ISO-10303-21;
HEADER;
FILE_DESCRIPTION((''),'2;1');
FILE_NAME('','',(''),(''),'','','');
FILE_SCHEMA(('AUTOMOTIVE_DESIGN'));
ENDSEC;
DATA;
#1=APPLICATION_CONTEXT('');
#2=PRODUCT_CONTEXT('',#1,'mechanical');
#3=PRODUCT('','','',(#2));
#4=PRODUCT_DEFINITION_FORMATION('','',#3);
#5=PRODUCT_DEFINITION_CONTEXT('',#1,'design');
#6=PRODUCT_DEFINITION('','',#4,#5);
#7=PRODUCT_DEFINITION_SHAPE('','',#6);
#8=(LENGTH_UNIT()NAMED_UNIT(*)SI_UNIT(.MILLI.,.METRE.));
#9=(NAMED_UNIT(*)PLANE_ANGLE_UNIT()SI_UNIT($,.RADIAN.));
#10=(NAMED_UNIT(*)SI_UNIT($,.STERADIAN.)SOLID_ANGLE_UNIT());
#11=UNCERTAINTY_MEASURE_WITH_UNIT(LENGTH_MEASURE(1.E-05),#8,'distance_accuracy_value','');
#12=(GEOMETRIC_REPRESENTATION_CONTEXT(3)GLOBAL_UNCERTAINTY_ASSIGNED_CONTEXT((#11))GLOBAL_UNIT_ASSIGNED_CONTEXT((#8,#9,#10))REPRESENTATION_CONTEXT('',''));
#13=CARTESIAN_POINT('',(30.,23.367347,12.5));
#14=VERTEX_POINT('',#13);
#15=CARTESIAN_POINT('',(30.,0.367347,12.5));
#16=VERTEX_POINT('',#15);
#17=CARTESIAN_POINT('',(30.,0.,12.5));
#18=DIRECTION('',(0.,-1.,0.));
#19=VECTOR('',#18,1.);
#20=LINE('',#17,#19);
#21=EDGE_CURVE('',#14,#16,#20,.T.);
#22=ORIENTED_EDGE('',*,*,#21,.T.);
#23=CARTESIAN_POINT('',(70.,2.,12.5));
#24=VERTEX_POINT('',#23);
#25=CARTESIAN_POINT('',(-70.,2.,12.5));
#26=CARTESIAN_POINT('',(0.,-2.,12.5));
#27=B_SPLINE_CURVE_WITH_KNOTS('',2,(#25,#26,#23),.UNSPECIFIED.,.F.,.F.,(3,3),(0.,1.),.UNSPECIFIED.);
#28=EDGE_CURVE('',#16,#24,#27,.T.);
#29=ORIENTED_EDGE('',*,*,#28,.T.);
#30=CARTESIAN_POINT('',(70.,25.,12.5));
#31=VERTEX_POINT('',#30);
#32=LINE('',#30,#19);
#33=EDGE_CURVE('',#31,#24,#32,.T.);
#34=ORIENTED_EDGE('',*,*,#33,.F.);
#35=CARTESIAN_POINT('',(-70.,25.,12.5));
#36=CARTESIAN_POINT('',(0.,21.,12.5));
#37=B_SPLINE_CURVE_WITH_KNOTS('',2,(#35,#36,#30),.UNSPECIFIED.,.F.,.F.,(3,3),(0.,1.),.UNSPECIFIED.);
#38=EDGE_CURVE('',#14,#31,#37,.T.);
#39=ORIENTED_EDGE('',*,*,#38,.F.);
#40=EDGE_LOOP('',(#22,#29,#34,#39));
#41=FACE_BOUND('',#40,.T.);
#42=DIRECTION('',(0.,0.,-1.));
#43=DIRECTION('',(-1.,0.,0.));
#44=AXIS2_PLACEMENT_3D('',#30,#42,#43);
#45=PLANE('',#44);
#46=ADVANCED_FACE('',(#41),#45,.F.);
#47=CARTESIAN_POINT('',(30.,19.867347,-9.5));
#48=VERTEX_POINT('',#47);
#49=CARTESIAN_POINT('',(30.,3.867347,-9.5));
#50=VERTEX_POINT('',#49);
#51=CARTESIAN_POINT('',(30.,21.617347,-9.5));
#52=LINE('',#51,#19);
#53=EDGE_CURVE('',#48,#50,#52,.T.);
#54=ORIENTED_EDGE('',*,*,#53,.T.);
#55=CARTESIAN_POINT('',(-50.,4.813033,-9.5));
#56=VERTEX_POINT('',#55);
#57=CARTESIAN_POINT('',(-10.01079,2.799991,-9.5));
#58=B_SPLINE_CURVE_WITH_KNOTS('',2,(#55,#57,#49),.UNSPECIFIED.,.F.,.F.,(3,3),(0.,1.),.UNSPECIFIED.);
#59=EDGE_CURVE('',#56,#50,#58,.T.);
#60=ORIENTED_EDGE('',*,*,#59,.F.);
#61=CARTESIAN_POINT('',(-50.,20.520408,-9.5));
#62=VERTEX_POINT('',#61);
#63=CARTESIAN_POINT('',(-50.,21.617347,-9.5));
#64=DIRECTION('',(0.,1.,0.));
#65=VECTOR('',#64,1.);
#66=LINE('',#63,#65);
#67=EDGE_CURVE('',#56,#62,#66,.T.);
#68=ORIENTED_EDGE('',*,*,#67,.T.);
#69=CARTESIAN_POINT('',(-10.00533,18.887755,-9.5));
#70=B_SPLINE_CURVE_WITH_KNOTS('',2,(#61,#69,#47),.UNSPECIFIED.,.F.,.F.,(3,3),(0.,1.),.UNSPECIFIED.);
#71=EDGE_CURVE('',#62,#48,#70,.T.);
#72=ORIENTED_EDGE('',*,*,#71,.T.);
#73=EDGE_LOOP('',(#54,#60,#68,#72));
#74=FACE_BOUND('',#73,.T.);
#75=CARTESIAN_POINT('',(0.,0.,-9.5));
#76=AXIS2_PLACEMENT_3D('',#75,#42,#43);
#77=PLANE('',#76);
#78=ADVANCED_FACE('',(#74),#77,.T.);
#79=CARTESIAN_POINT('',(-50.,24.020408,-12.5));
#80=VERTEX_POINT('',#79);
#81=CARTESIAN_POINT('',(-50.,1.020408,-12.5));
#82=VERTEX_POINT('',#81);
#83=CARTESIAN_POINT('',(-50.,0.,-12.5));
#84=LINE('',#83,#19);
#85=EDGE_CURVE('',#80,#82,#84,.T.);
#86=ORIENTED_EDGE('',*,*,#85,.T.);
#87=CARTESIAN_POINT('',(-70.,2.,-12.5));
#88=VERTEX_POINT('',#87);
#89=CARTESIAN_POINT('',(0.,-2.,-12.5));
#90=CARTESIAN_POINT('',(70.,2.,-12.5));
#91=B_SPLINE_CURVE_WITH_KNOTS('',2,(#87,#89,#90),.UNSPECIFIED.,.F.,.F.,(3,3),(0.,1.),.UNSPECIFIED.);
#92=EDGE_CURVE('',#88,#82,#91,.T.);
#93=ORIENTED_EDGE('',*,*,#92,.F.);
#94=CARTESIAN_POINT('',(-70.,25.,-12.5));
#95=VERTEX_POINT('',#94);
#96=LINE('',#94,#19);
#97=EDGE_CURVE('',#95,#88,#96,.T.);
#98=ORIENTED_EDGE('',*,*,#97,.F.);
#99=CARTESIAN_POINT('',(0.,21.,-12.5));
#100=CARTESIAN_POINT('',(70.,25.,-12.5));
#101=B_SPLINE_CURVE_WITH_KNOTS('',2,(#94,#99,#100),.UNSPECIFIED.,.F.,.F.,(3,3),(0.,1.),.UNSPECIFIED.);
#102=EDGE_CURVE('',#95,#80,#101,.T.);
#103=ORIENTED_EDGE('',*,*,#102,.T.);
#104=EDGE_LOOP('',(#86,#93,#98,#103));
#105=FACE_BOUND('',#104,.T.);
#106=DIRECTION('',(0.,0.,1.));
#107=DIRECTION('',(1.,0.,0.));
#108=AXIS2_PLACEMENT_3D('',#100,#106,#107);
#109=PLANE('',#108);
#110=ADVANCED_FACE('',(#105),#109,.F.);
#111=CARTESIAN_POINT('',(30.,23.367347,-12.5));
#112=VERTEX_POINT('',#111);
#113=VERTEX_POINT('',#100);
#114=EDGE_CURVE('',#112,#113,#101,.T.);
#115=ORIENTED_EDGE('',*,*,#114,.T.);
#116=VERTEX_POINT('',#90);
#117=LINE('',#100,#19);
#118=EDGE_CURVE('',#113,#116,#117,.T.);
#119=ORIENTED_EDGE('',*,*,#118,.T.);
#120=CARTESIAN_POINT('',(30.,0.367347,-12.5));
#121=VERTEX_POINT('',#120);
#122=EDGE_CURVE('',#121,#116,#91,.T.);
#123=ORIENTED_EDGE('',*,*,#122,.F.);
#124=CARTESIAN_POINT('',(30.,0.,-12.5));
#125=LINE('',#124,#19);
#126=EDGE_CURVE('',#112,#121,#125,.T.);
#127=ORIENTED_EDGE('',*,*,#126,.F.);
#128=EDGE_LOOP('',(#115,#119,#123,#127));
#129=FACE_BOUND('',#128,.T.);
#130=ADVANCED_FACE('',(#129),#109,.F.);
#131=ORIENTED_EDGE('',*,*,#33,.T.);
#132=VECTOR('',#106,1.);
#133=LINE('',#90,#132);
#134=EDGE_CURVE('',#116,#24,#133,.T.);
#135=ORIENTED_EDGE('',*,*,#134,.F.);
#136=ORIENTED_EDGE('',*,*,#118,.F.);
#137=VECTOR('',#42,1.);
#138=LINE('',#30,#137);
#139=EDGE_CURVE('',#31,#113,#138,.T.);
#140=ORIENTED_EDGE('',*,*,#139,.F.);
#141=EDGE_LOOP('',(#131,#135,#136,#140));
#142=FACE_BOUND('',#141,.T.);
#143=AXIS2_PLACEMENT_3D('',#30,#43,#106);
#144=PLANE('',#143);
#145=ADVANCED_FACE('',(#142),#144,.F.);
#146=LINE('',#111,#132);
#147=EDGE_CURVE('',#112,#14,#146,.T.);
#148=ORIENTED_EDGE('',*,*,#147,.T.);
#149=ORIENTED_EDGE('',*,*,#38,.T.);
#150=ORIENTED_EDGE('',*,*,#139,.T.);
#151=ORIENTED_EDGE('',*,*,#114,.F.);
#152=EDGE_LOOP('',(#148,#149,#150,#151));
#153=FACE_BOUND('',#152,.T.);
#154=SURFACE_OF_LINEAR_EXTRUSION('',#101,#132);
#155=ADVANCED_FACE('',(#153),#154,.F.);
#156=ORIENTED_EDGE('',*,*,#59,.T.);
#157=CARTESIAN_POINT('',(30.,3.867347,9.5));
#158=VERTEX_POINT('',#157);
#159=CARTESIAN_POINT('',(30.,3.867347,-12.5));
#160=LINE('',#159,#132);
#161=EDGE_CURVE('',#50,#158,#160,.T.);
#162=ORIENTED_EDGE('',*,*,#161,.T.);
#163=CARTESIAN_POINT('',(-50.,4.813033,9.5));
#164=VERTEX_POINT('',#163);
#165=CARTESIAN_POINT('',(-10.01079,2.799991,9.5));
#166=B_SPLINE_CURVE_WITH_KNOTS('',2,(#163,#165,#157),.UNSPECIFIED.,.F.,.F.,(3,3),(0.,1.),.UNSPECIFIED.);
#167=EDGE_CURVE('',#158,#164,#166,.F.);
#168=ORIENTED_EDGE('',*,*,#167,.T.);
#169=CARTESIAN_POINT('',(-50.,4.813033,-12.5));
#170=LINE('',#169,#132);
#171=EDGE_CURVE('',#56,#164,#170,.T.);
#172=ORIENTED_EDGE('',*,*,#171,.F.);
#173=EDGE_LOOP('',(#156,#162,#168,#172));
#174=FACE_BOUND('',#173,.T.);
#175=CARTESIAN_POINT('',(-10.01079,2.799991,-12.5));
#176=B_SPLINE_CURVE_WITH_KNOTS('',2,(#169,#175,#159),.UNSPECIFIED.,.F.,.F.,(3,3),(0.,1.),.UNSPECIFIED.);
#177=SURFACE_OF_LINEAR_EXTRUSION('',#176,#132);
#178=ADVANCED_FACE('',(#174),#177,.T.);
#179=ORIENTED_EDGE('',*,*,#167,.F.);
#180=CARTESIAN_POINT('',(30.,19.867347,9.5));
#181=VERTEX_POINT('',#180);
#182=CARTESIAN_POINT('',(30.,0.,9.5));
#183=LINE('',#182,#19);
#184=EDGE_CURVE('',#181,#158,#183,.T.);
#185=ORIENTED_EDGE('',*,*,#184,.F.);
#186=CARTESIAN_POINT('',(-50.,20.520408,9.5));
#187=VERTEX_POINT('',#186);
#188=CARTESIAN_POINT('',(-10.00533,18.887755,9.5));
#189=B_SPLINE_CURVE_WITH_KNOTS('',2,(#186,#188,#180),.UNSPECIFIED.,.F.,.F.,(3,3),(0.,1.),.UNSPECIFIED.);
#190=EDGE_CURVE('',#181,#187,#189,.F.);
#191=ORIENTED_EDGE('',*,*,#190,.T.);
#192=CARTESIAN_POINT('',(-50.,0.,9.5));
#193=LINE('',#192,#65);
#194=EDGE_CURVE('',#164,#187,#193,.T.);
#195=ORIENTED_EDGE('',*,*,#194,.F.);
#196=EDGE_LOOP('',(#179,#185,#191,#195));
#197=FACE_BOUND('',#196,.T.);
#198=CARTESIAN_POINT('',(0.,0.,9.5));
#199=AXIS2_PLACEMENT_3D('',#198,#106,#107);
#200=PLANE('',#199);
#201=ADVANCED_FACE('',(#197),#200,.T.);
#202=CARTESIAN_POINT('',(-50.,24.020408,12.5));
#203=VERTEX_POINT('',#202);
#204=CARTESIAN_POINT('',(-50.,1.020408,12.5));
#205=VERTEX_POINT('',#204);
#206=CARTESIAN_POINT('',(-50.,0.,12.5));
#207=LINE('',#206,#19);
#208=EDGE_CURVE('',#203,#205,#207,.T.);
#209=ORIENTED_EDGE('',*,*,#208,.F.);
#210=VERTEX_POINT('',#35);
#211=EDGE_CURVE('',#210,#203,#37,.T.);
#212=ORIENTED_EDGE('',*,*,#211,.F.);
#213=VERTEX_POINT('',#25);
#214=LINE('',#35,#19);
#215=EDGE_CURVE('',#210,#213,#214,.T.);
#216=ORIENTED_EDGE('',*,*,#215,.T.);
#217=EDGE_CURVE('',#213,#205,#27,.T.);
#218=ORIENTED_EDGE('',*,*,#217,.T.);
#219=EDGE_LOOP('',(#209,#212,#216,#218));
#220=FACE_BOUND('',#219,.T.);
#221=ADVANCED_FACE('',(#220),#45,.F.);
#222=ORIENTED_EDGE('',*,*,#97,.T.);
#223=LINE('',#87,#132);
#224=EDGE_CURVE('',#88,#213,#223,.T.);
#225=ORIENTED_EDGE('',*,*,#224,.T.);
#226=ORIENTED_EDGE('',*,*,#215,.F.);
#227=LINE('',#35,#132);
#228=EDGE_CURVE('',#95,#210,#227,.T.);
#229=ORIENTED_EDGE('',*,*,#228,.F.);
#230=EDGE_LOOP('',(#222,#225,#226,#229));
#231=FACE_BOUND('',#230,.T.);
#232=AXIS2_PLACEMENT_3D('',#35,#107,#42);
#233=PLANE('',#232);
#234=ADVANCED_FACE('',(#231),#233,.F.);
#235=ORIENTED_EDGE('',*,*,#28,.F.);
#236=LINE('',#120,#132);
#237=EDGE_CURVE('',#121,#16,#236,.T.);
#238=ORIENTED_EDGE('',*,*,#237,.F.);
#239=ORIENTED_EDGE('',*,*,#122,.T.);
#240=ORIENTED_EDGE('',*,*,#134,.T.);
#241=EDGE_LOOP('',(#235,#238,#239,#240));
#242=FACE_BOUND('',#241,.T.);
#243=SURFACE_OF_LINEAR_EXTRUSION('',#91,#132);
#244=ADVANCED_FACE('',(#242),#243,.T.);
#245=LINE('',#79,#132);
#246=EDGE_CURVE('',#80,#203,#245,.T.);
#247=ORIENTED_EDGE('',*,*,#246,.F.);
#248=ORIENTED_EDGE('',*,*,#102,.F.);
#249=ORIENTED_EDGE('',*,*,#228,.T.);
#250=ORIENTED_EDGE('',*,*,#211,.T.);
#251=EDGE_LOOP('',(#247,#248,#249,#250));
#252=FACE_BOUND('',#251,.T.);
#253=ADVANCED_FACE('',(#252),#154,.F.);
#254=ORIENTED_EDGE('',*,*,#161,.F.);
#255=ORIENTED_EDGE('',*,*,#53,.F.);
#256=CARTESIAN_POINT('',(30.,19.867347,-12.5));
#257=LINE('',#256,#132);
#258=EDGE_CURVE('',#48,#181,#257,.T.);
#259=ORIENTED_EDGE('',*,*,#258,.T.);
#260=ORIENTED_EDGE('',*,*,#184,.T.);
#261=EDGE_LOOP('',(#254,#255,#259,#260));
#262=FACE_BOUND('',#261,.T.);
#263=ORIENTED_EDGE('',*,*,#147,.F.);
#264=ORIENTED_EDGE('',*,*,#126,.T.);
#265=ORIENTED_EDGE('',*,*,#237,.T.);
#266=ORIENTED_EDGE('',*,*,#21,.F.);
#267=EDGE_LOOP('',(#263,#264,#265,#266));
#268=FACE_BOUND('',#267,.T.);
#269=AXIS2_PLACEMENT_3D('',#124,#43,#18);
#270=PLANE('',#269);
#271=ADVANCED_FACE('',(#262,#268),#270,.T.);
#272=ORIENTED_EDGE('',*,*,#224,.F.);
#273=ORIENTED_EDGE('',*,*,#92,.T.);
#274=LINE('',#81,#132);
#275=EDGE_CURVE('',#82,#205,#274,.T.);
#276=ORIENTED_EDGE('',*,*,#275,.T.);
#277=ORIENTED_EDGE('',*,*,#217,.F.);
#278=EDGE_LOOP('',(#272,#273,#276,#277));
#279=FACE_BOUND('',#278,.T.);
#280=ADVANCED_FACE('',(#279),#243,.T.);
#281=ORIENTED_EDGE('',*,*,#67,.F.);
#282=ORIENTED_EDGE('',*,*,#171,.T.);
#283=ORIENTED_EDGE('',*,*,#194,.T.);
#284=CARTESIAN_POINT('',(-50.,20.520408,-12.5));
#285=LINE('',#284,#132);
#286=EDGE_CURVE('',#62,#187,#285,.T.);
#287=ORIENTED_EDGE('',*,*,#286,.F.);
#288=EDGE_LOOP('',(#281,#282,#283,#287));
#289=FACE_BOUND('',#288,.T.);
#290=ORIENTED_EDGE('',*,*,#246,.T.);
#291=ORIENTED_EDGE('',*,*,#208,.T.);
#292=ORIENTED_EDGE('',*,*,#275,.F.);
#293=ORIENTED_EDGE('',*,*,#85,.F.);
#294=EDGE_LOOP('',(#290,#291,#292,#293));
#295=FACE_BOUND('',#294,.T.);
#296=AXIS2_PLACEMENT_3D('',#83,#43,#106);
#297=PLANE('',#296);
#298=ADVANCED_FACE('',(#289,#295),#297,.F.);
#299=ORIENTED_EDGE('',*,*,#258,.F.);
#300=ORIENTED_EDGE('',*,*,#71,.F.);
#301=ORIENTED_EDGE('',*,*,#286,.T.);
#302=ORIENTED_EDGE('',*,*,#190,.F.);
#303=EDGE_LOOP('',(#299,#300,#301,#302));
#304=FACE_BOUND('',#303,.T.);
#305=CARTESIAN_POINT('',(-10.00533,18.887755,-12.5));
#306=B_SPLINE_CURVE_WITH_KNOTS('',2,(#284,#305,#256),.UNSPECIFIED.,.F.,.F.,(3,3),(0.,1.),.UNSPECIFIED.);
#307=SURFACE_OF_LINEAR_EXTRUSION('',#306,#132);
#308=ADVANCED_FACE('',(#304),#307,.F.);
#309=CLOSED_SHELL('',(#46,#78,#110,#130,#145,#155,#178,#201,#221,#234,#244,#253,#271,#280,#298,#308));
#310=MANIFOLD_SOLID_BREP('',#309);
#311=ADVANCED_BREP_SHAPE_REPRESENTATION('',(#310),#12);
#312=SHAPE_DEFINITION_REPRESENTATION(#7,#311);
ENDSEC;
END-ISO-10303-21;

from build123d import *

# Parameters (mm, degrees)
SKETCH1_W           = 140
SKETCH1_H           = 25
BOSS_EXTRUDE1_DEPTH = 25
CUT_EXTRUDE1_DEPTH  = 25
CUT_EXTRUDE13_DEPTH = 3
SKETCH9_W           = 80
SKETCH9_H           = 18.70062617
CUT_EXTRUDE14_DEPTH = 3


with BuildPart() as part:
    # Sketch1 → Boss-Extrude1 (new body)
    with BuildSketch(Plane(origin=(0, 0, 0), x_dir=(1, 0, 0), z_dir=(0, 1, 0))):
        Rectangle(SKETCH1_W, SKETCH1_H)
    extrude(amount=BOSS_EXTRUDE1_DEPTH)

    # Sketch5 → Cut-Extrude1 (cut)
    with BuildSketch(Plane.XY.offset(12.5)):
        with BuildLine():
            add(Edge.make_bspline(
                [(0, 23), (15, 23), (30, 23.367346939)],
                knots=[0.5, 0.5, 0.5, 0.714285714, 0.714285714, 0.714285714], degree=2))
            add(Edge.make_bspline(
                [(30, 23.367346939), (50, 23.857142857), (70, 25)],
                knots=[0.714285714, 0.714285714, 0.714285714, 1, 1, 1], degree=2))
            Line((70, 25), (30, 25))
            Line((30, 25), (0, 25))
            Line((0, 25), (0, 23))
        make_face()
        with BuildLine():
            add(Edge.make_bspline(
                [(-50, 24.020408163), (-25, 23), (0, 23)],
                knots=[0.142857143, 0.142857143, 0.142857143, 0.5, 0.5, 0.5], degree=2))
            Line((0, 23), (0, 25))
            Line((0, 25), (-50, 25))
            Line((-50, 25), (-70, 25))
            add(Edge.make_bspline(
                [(-70, 25), (-60, 24.428571429), (-50, 24.020408163)],
                knots=[0, 0, 0, 0.142857143, 0.142857143, 0.142857143], degree=2))
        make_face()
        with BuildLine():
            Line((30, 19.867346939), (30, 23.367346939))
            add(Edge.make_bspline(
                [(0, 23), (15, 23), (30, 23.367346939)],
                knots=[0.5, 0.5, 0.5, 0.714285714, 0.714285714, 0.714285714], degree=2))
            Line((0, 23), (0, 19.5))
            add(Edge.make_bspline(
                [(0, 19.5), (14.999250637, 19.500030588), (30, 19.867346939)],
                knots=[0.625031228, 0.625031228, 0.625031228, 1, 1, 1], degree=2))
        make_face()
        with BuildLine():
            Line((0, 19.5), (0, 23))
            add(Edge.make_bspline(
                [(-50, 24.020408163), (-25, 23), (0, 23)],
                knots=[0.142857143, 0.142857143, 0.142857143, 0.5, 0.5, 0.5], degree=2))
            Line((-50, 24.020408163), (-50, 21.5))
            Line((-50, 21.5), (-50, 20.520408163))
            add(Edge.make_bspline(
                [(-50, 20.520408163), (-25.002082119, 19.499949013), (0, 19.5)],
                knots=[0, 0, 0, 0.625031228, 0.625031228, 0.625031228], degree=2))
        make_face()
        with BuildLine():
            Line((0, 0), (0, 3.5))
            add(Edge.make_bspline(
                [(-50, 4.813033374), (-25.004215516, 3.554754755), (0, 3.5)],
                knots=[0, 0, 0, 0.625063216, 0.625063216, 0.625063216], degree=2))
            Line((-50, 4.813033374), (-50, 1.020408163))
            add(Edge.make_bspline(
                [(-50, 1.020408163), (-25, 0), (0, 0)],
                knots=[0.142857143, 0.142857143, 0.142857143, 0.5, 0.5, 0.5], degree=2))
        make_face()
        with BuildLine():
            Line((30, 0.367346939), (30, 3.867346939))
            add(Edge.make_bspline(
                [(0, 3.5), (14.998483233, 3.467156007), (30, 3.867346939)],
                knots=[0.625063216, 0.625063216, 0.625063216, 1, 1, 1], degree=2))
            Line((0, 3.5), (0, 0))
            add(Edge.make_bspline(
                [(0, 0), (15, 0), (30, 0.367346939)],
                knots=[0.5, 0.5, 0.5, 0.714285714, 0.714285714, 0.714285714], degree=2))
        make_face()
        with BuildLine():
            Line((70, 0), (70, 2))
            add(Edge.make_bspline(
                [(30, 0.367346939), (50, 0.857142857), (70, 2)],
                knots=[0.714285714, 0.714285714, 0.714285714, 1, 1, 1], degree=2))
            add(Edge.make_bspline(
                [(0, 0), (15, 0), (30, 0.367346939)],
                knots=[0.5, 0.5, 0.5, 0.714285714, 0.714285714, 0.714285714], degree=2))
            Line((0, 0), (70, 0))
        make_face()
        with BuildLine():
            Line((-70, 0), (0, 0))
            add(Edge.make_bspline(
                [(-50, 1.020408163), (-25, 0), (0, 0)],
                knots=[0.142857143, 0.142857143, 0.142857143, 0.5, 0.5, 0.5], degree=2))
            add(Edge.make_bspline(
                [(-70, 2), (-60, 1.428571429), (-50, 1.020408163)],
                knots=[0, 0, 0, 0.142857143, 0.142857143, 0.142857143], degree=2))
            Line((-70, 2), (-70, 0))
        make_face()
    extrude(amount=-CUT_EXTRUDE1_DEPTH, mode=Mode.SUBTRACT)

    # Sketch6 → Cut-Extrude13 (cut)
    with BuildSketch(Plane.XY.offset(12.5)):
        with BuildLine():
            Line((30, 1.485887188), (30, 3.867346939))
            add(Edge.make_bspline(
                [(-50, 4.813033374), (-10.010789538, 2.799991192), (30, 3.867346939)],
                knots=[0, 0, 0, 1, 1, 1], degree=2))
            Line((-50, 4.813033374), (-50, 1.485887188))
            Line((-50, 1.485887188), (30, 1.485887188))
        make_face()
        with BuildLine():
            Line((-50, 20.520408163), (-50, 4.813033374))
            add(Edge.make_bspline(
                [(-50, 4.813033374), (-10.010789538, 2.799991192), (30, 3.867346939)],
                knots=[0, 0, 0, 1, 1, 1], degree=2))
            Line((30, 3.867346939), (30, 19.867346939))
            add(Edge.make_bspline(
                [(30, 19.867346939), (-10.005329691, 18.887755097), (-50, 20.520408163)],
                knots=[0, 0, 0, 1, 1, 1], degree=2))
        make_face()
        Polygon((-50, 20.520408163), (30, 19.867346939), (30, 20.995155466), (30, 21.46990277), (-50, 21.46990277), align=None)
        with BuildLine():
            Line((-50, 20.520408163), (30, 19.867346939))
            add(Edge.make_bspline(
                [(30, 19.867346939), (-10.005329691, 18.887755097), (-50, 20.520408163)],
                knots=[0, 0, 0, 1, 1, 1], degree=2))
        make_face()
    extrude(amount=-CUT_EXTRUDE13_DEPTH, mode=Mode.SUBTRACT)

    # Sketch9 → Cut-Extrude14 (cut)
    with BuildSketch(Plane(origin=(0, 0, -12.5), x_dir=(-1, 0, 0), z_dir=(0, 0, -1))):
        with Locations((10, 12.267033854)):
            Rectangle(SKETCH9_W, SKETCH9_H)
    extrude(amount=-CUT_EXTRUDE14_DEPTH, mode=Mode.SUBTRACT)


solid = part.part
